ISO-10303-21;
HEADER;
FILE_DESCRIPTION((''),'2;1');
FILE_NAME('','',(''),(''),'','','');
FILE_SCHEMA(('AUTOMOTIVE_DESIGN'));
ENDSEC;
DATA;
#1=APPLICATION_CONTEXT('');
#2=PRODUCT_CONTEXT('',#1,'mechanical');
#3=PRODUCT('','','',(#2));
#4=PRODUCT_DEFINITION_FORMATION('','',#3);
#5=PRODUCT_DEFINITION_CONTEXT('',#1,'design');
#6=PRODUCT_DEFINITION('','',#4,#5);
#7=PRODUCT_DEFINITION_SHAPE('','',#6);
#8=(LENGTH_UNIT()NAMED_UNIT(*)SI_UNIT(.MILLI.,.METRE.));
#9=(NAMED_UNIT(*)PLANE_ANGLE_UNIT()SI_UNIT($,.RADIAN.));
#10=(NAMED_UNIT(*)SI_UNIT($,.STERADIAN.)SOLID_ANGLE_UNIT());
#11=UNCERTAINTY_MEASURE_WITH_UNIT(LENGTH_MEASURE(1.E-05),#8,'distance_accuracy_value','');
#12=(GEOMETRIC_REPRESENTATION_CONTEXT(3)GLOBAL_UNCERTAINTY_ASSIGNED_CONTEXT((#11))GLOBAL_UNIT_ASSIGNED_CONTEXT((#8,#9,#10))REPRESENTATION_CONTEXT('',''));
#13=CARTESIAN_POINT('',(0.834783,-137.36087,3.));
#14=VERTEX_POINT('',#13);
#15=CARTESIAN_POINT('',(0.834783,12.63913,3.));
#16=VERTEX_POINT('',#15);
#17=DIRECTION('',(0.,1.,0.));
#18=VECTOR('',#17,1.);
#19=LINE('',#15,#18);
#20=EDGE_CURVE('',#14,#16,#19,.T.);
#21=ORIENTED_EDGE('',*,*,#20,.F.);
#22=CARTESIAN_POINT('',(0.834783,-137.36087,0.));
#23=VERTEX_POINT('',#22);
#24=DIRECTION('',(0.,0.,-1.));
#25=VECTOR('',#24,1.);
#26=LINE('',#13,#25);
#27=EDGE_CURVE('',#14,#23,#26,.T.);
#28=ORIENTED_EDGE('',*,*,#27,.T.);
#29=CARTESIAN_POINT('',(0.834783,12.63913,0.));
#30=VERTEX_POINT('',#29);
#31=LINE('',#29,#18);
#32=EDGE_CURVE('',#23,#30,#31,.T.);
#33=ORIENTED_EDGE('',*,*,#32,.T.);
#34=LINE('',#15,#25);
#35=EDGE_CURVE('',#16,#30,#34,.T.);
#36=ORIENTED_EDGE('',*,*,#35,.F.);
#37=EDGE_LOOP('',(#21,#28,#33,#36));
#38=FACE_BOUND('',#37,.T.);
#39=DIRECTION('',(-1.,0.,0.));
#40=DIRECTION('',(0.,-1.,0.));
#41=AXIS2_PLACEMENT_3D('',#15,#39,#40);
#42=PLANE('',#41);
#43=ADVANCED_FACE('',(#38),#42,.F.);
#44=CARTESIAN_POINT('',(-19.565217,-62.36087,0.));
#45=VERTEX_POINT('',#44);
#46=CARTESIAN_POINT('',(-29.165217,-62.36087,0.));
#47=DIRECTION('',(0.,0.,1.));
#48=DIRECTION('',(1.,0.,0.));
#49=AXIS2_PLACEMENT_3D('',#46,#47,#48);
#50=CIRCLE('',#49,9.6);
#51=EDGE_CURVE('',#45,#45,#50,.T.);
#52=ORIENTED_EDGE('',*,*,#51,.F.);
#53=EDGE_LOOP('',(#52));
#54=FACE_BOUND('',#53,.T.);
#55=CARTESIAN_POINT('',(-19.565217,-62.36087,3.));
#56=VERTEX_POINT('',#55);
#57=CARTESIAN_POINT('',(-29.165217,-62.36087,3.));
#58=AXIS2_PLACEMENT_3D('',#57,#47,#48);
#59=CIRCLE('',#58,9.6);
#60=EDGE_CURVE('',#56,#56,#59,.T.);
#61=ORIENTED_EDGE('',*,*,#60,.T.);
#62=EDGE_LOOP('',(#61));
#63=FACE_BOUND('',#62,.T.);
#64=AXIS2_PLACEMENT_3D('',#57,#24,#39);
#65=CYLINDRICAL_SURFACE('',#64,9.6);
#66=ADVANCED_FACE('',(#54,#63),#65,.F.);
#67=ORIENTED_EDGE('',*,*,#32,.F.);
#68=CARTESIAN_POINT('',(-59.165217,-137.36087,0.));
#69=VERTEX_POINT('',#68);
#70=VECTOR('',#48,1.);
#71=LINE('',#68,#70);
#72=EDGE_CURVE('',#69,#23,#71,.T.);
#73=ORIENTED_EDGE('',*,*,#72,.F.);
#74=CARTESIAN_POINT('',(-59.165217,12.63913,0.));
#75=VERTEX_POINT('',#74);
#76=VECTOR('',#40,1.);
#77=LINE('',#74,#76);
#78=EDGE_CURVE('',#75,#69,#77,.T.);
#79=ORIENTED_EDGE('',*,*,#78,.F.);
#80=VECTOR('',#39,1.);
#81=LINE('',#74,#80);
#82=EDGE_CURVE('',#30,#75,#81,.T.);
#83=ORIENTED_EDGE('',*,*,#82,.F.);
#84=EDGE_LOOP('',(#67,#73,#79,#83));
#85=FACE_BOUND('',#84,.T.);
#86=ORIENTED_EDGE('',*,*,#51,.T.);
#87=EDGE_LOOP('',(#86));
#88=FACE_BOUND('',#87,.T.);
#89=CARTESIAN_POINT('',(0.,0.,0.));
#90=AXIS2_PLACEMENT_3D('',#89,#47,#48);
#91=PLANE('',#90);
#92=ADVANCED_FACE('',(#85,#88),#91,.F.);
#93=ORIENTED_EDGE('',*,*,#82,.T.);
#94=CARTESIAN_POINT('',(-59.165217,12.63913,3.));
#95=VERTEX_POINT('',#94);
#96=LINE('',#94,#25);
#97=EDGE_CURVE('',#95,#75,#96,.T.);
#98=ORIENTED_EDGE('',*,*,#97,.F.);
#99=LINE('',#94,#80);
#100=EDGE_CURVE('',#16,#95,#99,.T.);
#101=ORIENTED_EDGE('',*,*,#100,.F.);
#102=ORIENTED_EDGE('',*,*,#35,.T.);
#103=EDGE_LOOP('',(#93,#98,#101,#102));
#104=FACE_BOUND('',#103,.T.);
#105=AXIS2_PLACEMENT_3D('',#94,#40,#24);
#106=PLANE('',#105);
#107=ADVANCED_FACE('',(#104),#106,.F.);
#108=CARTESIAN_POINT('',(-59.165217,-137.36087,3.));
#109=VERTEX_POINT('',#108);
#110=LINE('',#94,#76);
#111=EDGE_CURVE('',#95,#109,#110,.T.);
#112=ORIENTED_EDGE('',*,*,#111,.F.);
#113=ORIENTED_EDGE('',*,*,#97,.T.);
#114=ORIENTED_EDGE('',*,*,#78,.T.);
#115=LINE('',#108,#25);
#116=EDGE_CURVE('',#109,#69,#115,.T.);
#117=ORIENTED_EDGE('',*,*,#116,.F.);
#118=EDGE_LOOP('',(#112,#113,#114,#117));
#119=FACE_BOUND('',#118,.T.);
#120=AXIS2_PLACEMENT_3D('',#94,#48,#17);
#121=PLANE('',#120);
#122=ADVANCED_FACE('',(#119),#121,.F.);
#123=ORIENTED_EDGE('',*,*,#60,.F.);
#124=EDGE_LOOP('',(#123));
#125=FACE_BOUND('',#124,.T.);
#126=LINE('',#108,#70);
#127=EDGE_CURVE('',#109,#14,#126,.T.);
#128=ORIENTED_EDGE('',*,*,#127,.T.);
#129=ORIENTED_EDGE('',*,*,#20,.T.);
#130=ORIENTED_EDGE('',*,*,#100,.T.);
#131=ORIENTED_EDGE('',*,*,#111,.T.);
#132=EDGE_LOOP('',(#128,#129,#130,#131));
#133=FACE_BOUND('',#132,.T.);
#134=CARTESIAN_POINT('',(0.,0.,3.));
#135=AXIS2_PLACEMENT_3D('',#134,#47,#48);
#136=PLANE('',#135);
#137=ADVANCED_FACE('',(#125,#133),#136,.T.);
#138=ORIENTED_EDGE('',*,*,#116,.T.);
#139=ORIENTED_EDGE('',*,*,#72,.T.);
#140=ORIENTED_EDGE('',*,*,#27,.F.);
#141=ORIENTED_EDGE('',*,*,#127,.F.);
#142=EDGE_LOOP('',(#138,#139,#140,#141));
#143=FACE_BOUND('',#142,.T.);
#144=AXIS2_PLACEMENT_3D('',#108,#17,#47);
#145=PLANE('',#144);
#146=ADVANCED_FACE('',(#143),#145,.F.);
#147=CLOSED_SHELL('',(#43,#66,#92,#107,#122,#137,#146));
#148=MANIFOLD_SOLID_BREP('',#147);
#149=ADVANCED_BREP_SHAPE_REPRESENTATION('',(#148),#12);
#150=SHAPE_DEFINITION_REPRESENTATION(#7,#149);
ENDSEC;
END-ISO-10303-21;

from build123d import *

# Parameters (mm, degrees)
SKETCH1_W           = 60
SKETCH1_H           = 150
SKETCH1_R           = 9.6
BOSS_EXTRUDE1_DEPTH = 3


with BuildPart() as part:
    # Sketch1 → Boss-Extrude1 (new body)
    with BuildSketch(Plane.XY):
        with Locations((-29.165217391, -62.360869565)):
            Rectangle(SKETCH1_W, SKETCH1_H)
        with Locations((-29.165217391, -62.360869565)):
            Circle(SKETCH1_R, mode=Mode.SUBTRACT)
    extrude(amount=BOSS_EXTRUDE1_DEPTH)


solid = part.part
